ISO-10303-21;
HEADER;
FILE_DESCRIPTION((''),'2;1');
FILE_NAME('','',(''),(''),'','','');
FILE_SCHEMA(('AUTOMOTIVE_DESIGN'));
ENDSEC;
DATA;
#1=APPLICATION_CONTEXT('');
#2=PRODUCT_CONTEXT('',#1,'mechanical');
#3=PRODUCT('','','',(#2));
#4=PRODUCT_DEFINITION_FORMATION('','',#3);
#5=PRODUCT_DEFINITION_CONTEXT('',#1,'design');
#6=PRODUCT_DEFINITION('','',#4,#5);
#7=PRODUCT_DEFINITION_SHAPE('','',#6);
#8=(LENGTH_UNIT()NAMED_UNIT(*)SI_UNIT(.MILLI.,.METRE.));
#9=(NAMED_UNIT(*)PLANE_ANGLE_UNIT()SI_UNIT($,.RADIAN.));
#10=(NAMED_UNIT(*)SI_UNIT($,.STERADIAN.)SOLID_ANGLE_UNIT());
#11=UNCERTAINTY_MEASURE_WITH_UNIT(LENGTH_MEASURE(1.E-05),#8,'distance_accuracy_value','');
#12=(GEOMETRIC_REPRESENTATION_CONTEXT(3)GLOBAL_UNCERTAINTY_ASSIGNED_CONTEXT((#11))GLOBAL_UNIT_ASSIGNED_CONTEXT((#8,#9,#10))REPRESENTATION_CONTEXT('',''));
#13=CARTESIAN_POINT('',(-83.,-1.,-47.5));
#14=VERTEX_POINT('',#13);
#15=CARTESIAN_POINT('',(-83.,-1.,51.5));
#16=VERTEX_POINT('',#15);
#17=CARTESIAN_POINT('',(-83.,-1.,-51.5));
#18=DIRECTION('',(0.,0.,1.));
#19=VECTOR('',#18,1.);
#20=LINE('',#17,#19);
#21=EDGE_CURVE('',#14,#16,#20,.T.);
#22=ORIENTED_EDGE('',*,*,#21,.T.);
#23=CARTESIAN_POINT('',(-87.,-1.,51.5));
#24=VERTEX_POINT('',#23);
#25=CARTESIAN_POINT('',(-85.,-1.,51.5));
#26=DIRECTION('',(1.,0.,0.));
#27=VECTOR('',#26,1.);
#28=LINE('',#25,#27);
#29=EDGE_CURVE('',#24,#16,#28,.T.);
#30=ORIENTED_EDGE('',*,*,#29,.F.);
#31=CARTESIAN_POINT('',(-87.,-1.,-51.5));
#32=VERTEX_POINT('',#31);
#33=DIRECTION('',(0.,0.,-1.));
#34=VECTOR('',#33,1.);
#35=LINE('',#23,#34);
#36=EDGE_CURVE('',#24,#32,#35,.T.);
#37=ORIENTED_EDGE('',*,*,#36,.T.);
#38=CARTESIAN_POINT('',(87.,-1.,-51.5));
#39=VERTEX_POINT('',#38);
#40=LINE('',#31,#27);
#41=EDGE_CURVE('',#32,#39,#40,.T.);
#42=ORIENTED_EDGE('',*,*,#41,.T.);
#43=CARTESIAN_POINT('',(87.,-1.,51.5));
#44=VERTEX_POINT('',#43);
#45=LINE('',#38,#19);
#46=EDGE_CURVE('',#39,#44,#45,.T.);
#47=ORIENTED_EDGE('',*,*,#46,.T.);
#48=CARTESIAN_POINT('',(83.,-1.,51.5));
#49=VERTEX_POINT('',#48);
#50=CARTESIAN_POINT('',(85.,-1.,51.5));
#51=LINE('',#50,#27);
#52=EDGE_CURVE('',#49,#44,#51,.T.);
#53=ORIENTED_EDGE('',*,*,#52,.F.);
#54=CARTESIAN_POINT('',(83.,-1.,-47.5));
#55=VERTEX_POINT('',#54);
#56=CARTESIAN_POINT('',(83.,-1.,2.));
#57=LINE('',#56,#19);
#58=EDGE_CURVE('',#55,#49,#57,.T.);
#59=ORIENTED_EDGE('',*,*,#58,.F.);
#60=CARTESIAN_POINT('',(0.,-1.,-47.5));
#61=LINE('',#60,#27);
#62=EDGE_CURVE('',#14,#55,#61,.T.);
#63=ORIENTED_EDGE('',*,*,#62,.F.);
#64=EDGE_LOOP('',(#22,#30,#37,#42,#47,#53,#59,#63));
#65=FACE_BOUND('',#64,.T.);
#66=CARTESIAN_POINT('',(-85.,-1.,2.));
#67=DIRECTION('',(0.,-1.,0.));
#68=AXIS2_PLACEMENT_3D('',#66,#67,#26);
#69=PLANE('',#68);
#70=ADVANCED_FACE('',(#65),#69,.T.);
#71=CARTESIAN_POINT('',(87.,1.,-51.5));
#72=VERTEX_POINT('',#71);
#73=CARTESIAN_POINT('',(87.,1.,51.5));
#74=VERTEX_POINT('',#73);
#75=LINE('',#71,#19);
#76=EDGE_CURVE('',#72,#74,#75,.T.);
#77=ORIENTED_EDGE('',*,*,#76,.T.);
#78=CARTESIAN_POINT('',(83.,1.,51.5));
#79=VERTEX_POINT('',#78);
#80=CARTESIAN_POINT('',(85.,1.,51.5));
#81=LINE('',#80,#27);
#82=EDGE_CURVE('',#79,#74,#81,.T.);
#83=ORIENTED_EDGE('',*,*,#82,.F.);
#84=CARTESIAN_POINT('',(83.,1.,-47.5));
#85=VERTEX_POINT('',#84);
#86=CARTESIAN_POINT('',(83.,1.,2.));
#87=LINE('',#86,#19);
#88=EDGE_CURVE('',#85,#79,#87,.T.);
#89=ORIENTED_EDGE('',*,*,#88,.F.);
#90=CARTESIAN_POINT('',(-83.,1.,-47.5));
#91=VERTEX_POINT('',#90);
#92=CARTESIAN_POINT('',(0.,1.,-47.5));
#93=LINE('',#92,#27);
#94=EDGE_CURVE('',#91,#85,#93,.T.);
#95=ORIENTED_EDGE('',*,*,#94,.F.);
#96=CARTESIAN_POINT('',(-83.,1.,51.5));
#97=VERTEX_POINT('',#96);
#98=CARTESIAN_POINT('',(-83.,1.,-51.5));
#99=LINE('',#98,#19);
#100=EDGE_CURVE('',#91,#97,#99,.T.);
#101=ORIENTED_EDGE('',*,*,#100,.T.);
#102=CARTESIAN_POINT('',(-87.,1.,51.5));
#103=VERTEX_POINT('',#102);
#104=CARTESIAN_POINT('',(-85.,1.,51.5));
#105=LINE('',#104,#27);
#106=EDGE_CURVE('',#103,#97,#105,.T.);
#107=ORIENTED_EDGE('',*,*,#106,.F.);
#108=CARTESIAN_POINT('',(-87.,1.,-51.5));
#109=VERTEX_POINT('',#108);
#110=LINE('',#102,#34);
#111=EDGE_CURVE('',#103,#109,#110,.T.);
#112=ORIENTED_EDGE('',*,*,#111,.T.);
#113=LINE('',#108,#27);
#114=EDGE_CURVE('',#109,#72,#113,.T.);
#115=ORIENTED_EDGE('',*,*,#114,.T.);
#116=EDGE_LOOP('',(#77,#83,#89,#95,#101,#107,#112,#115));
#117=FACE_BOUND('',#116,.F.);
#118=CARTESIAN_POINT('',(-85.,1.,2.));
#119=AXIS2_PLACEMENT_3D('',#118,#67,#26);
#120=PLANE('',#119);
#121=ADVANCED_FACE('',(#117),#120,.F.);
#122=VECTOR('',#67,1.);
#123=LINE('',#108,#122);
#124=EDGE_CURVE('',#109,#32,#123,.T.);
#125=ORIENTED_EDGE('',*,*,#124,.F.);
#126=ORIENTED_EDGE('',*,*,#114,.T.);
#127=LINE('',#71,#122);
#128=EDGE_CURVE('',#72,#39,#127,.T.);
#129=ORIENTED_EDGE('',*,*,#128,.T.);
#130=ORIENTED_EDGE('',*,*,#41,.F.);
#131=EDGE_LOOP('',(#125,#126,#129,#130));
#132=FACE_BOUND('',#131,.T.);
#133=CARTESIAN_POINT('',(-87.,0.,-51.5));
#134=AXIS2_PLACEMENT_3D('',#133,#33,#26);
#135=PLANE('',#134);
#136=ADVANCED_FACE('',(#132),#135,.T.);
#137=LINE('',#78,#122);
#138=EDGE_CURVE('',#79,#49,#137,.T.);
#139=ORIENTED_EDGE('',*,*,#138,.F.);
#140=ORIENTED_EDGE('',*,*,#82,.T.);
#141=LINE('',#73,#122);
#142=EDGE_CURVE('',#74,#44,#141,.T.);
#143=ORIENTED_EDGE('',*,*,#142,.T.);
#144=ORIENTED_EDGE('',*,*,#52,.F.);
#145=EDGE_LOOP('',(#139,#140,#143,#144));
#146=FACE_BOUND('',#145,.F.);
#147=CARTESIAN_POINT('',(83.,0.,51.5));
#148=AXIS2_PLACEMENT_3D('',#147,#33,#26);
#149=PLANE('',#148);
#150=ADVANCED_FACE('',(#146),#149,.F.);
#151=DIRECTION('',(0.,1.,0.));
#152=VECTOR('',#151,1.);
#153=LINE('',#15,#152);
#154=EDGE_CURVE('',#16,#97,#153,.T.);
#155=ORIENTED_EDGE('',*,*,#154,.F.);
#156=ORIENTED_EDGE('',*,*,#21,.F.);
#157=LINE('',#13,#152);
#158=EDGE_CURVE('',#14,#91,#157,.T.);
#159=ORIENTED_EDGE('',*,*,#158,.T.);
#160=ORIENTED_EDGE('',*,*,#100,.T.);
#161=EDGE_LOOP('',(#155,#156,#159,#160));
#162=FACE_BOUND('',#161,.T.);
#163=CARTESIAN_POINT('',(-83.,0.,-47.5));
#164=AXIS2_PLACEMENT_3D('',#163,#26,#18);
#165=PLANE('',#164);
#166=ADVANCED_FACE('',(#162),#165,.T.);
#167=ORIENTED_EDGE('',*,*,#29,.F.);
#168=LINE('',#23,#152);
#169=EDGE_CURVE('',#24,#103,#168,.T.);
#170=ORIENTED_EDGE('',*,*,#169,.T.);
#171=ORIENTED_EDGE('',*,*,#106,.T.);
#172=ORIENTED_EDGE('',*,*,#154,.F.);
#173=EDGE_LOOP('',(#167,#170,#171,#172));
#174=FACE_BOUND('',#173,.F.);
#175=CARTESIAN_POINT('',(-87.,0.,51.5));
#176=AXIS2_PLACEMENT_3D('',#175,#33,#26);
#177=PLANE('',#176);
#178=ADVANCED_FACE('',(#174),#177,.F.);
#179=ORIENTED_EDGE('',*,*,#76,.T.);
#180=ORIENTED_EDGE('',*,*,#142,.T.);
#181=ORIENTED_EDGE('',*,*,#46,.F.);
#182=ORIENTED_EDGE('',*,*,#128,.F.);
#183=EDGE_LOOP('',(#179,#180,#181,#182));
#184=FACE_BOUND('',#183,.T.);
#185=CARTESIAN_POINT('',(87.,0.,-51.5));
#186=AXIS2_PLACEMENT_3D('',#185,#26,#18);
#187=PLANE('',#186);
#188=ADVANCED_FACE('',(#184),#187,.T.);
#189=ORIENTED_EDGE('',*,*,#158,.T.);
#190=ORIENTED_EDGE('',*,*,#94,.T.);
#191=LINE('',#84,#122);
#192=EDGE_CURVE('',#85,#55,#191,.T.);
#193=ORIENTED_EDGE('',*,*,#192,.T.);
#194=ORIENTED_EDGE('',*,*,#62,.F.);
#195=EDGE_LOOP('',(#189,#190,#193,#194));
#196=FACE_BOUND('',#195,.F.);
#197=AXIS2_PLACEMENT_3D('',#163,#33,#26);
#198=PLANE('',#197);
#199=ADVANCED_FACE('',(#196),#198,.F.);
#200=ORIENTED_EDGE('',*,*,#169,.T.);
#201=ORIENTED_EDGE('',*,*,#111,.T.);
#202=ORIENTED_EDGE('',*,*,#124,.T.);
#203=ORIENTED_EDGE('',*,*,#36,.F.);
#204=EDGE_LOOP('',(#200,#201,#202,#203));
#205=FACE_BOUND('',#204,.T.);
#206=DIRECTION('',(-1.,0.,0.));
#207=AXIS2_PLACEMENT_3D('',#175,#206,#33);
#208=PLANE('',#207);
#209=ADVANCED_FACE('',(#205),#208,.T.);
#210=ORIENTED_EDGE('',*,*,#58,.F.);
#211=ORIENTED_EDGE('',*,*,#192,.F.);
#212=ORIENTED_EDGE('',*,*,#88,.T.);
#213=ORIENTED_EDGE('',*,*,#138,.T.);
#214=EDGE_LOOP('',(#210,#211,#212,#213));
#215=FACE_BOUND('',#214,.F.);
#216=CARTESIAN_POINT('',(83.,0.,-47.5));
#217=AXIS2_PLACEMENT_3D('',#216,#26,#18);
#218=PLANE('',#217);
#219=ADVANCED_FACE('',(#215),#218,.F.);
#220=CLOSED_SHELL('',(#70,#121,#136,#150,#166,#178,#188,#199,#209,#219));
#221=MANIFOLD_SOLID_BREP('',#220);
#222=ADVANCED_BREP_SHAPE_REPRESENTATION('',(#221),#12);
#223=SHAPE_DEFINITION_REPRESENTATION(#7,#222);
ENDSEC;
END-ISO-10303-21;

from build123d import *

# Parameters (mm, degrees)
F0_W     = 4
F0_H     = 99
F0_H_2   = 4
F0_W_2   = 166
F1_DEPTH = 1


with BuildPart() as f1:
    # F0 (on Front) → F1 (new body, symmetric)
    with BuildSketch(Plane.XZ):
        with Locations((-85, 2)):
            Rectangle(F0_W, F0_H)
        with Locations((-85, -49.5)):
            Rectangle(F0_W, F0_H_2)
        with Locations((0, -49.5)):
            Rectangle(F0_W_2, F0_H_2)
        with Locations((85, 2)):
            Rectangle(F0_W, F0_H)
        with Locations((85, -49.5)):
            Rectangle(F0_W, F0_H_2)
    extrude(amount=F1_DEPTH, both=True)


solid = f1.part
